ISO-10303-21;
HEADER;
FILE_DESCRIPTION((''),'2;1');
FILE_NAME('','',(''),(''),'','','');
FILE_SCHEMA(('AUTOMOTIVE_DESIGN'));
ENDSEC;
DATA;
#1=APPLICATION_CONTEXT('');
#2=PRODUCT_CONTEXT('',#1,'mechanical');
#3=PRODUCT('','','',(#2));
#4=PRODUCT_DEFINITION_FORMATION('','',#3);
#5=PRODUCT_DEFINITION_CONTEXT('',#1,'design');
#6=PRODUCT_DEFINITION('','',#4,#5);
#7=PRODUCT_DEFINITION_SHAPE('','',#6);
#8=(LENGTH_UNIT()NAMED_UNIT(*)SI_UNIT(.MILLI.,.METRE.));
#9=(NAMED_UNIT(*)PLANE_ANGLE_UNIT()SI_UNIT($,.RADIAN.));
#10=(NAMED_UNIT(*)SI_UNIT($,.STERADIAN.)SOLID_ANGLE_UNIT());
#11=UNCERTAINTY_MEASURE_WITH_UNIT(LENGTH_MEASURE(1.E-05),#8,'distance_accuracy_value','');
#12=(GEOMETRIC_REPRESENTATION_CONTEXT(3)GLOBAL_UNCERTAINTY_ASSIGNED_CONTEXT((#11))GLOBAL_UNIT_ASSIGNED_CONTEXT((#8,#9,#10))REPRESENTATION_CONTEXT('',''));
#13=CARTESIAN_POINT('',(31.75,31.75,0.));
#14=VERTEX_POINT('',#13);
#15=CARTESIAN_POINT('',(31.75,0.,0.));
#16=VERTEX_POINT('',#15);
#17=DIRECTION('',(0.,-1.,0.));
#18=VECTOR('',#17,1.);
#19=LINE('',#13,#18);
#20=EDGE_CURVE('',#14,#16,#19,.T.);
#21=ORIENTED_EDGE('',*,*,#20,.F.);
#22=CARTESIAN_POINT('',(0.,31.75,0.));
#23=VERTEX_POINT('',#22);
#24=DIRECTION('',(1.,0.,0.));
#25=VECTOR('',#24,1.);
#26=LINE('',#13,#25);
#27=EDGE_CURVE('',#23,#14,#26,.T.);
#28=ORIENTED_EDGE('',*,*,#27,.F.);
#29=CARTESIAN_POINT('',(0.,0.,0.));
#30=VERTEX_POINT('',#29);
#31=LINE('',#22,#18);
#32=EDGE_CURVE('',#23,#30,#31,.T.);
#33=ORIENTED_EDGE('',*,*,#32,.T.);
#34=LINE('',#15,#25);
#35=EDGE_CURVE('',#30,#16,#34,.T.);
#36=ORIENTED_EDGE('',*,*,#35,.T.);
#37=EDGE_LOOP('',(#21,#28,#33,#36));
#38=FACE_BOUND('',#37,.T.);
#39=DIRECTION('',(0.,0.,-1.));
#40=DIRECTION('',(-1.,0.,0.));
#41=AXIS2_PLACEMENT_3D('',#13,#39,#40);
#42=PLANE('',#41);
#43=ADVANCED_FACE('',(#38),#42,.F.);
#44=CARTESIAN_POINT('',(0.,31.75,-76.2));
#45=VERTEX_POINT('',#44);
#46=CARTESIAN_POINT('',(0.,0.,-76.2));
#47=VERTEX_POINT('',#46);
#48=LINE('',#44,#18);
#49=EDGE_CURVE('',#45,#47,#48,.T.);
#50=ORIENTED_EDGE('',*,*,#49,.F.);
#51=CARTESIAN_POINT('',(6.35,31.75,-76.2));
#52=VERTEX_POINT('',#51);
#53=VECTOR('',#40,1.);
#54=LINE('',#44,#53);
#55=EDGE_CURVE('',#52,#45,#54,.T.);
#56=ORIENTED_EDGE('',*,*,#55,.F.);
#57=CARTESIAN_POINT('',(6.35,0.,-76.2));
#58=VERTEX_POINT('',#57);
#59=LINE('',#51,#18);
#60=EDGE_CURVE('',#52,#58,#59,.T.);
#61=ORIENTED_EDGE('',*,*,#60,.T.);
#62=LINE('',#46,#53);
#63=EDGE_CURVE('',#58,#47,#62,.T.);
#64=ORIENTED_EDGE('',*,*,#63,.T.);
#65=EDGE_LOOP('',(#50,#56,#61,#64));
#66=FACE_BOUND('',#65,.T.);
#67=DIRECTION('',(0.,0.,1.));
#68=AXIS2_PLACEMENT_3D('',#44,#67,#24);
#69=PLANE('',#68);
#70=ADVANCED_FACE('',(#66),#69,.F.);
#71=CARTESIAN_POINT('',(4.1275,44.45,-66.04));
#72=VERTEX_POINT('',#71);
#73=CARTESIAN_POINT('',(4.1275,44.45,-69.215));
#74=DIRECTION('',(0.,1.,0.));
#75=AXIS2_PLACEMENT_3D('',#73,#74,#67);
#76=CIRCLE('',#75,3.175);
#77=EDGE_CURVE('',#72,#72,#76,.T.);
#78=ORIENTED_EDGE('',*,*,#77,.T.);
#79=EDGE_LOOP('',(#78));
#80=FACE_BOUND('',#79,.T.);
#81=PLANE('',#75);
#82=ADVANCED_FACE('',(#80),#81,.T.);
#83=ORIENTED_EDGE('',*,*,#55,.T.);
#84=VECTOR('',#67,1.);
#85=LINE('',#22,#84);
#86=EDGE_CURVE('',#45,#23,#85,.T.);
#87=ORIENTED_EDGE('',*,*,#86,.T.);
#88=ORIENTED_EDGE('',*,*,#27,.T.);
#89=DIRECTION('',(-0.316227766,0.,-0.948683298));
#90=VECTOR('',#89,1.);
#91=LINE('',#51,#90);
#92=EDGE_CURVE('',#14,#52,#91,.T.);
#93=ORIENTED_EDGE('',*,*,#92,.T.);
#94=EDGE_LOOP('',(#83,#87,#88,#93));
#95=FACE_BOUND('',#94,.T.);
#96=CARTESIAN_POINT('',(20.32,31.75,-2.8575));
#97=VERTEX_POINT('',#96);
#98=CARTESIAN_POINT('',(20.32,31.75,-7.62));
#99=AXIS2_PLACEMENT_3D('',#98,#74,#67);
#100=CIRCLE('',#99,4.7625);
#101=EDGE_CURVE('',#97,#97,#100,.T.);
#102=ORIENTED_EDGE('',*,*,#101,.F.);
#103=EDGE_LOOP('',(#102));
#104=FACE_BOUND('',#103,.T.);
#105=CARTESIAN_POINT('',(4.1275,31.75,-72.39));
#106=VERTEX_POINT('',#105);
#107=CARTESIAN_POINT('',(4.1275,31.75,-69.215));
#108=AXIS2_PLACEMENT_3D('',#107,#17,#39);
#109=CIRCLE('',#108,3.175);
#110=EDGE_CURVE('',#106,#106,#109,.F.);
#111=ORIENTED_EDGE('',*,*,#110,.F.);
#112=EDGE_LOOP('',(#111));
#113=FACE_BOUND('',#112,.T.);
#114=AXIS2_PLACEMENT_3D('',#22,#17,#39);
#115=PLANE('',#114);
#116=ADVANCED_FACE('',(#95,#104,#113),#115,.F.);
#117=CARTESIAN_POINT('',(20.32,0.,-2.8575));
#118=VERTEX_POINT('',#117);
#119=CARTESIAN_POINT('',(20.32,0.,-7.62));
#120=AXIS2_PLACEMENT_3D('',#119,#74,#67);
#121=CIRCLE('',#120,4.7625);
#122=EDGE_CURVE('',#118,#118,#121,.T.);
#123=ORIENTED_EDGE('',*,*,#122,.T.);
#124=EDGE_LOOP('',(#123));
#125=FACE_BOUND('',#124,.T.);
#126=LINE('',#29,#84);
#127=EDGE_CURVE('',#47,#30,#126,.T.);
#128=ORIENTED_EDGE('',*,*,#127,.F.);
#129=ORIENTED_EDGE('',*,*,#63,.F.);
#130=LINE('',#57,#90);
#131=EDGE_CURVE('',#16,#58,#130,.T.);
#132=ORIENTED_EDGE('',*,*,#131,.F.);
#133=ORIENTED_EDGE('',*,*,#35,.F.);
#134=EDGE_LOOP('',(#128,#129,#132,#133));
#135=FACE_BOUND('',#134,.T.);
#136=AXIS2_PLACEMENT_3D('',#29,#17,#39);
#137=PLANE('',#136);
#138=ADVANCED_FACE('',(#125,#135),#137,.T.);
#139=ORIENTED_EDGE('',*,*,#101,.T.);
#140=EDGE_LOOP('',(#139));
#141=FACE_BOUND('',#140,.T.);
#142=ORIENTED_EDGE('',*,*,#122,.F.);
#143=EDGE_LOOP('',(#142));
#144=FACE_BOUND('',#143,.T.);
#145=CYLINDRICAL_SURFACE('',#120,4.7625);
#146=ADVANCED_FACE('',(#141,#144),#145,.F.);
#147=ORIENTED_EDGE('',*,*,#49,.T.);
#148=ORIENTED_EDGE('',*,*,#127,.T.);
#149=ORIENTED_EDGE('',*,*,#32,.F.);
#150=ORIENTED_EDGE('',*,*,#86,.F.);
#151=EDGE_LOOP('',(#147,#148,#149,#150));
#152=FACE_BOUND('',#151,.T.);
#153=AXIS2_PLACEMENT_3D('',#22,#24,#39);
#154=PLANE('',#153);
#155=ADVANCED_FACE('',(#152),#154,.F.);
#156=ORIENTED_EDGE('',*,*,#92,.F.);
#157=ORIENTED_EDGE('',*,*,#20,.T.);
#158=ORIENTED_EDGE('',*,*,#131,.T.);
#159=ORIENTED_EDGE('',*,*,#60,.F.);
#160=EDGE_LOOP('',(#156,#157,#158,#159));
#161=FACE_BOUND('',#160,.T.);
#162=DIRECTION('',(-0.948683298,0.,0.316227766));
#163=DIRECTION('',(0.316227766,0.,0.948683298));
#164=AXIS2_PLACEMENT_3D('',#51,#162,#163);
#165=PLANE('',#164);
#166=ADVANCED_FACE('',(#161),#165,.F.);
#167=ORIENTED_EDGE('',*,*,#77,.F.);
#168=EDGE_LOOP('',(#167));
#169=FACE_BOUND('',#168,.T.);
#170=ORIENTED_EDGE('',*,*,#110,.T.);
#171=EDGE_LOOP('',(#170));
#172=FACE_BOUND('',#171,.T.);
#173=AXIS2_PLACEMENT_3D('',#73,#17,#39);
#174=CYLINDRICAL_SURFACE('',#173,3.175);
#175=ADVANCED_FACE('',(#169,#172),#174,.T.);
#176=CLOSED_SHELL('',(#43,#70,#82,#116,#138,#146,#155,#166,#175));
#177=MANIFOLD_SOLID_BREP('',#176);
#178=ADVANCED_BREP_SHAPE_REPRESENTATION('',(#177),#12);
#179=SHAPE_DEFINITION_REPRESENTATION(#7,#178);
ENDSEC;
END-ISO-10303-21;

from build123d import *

# Parameters (mm, degrees)
BOSS_EXTRUDE1_DEPTH = 31.75
SKETCH2_R           = 4.7625
CUT_EXTRUDE2_DEPTH  = 89.44526556
SKETCH3_R           = 3.175
BOSS_EXTRUDE2_DEPTH = 12.7


with BuildPart() as part:
    # Sketch1 → Boss-Extrude1 (new body)
    with BuildSketch(Plane(origin=(0, 0, 0), x_dir=(1, 0, 0), z_dir=(0, 1, 0))):
        Polygon((0, 0), (0, 76.2), (6.35, 76.2), (31.75, 0), align=None)
    extrude(amount=BOSS_EXTRUDE1_DEPTH)

    # Sketch2 → Cut-Extrude2 (cut, through all)
    with BuildSketch(Plane(origin=(0, 31.75, 0), x_dir=(1, 0, 0), z_dir=(0, 1, 0))):
        with Locations(Location((20.32, 7.62, 0), (0, 0, 270))):
            Circle(SKETCH2_R)
    extrude(amount=-CUT_EXTRUDE2_DEPTH, mode=Mode.SUBTRACT)

    # Sketch3 → Boss-Extrude2 (add)
    with BuildSketch(Plane(origin=(0, 31.75, 0), x_dir=(1, 0, 0), z_dir=(0, 1, 0))):
        with Locations(Location((4.1275, 69.215, 0), (0, 0, 90))):
            Circle(SKETCH3_R)
    extrude(amount=BOSS_EXTRUDE2_DEPTH)


solid = part.part
